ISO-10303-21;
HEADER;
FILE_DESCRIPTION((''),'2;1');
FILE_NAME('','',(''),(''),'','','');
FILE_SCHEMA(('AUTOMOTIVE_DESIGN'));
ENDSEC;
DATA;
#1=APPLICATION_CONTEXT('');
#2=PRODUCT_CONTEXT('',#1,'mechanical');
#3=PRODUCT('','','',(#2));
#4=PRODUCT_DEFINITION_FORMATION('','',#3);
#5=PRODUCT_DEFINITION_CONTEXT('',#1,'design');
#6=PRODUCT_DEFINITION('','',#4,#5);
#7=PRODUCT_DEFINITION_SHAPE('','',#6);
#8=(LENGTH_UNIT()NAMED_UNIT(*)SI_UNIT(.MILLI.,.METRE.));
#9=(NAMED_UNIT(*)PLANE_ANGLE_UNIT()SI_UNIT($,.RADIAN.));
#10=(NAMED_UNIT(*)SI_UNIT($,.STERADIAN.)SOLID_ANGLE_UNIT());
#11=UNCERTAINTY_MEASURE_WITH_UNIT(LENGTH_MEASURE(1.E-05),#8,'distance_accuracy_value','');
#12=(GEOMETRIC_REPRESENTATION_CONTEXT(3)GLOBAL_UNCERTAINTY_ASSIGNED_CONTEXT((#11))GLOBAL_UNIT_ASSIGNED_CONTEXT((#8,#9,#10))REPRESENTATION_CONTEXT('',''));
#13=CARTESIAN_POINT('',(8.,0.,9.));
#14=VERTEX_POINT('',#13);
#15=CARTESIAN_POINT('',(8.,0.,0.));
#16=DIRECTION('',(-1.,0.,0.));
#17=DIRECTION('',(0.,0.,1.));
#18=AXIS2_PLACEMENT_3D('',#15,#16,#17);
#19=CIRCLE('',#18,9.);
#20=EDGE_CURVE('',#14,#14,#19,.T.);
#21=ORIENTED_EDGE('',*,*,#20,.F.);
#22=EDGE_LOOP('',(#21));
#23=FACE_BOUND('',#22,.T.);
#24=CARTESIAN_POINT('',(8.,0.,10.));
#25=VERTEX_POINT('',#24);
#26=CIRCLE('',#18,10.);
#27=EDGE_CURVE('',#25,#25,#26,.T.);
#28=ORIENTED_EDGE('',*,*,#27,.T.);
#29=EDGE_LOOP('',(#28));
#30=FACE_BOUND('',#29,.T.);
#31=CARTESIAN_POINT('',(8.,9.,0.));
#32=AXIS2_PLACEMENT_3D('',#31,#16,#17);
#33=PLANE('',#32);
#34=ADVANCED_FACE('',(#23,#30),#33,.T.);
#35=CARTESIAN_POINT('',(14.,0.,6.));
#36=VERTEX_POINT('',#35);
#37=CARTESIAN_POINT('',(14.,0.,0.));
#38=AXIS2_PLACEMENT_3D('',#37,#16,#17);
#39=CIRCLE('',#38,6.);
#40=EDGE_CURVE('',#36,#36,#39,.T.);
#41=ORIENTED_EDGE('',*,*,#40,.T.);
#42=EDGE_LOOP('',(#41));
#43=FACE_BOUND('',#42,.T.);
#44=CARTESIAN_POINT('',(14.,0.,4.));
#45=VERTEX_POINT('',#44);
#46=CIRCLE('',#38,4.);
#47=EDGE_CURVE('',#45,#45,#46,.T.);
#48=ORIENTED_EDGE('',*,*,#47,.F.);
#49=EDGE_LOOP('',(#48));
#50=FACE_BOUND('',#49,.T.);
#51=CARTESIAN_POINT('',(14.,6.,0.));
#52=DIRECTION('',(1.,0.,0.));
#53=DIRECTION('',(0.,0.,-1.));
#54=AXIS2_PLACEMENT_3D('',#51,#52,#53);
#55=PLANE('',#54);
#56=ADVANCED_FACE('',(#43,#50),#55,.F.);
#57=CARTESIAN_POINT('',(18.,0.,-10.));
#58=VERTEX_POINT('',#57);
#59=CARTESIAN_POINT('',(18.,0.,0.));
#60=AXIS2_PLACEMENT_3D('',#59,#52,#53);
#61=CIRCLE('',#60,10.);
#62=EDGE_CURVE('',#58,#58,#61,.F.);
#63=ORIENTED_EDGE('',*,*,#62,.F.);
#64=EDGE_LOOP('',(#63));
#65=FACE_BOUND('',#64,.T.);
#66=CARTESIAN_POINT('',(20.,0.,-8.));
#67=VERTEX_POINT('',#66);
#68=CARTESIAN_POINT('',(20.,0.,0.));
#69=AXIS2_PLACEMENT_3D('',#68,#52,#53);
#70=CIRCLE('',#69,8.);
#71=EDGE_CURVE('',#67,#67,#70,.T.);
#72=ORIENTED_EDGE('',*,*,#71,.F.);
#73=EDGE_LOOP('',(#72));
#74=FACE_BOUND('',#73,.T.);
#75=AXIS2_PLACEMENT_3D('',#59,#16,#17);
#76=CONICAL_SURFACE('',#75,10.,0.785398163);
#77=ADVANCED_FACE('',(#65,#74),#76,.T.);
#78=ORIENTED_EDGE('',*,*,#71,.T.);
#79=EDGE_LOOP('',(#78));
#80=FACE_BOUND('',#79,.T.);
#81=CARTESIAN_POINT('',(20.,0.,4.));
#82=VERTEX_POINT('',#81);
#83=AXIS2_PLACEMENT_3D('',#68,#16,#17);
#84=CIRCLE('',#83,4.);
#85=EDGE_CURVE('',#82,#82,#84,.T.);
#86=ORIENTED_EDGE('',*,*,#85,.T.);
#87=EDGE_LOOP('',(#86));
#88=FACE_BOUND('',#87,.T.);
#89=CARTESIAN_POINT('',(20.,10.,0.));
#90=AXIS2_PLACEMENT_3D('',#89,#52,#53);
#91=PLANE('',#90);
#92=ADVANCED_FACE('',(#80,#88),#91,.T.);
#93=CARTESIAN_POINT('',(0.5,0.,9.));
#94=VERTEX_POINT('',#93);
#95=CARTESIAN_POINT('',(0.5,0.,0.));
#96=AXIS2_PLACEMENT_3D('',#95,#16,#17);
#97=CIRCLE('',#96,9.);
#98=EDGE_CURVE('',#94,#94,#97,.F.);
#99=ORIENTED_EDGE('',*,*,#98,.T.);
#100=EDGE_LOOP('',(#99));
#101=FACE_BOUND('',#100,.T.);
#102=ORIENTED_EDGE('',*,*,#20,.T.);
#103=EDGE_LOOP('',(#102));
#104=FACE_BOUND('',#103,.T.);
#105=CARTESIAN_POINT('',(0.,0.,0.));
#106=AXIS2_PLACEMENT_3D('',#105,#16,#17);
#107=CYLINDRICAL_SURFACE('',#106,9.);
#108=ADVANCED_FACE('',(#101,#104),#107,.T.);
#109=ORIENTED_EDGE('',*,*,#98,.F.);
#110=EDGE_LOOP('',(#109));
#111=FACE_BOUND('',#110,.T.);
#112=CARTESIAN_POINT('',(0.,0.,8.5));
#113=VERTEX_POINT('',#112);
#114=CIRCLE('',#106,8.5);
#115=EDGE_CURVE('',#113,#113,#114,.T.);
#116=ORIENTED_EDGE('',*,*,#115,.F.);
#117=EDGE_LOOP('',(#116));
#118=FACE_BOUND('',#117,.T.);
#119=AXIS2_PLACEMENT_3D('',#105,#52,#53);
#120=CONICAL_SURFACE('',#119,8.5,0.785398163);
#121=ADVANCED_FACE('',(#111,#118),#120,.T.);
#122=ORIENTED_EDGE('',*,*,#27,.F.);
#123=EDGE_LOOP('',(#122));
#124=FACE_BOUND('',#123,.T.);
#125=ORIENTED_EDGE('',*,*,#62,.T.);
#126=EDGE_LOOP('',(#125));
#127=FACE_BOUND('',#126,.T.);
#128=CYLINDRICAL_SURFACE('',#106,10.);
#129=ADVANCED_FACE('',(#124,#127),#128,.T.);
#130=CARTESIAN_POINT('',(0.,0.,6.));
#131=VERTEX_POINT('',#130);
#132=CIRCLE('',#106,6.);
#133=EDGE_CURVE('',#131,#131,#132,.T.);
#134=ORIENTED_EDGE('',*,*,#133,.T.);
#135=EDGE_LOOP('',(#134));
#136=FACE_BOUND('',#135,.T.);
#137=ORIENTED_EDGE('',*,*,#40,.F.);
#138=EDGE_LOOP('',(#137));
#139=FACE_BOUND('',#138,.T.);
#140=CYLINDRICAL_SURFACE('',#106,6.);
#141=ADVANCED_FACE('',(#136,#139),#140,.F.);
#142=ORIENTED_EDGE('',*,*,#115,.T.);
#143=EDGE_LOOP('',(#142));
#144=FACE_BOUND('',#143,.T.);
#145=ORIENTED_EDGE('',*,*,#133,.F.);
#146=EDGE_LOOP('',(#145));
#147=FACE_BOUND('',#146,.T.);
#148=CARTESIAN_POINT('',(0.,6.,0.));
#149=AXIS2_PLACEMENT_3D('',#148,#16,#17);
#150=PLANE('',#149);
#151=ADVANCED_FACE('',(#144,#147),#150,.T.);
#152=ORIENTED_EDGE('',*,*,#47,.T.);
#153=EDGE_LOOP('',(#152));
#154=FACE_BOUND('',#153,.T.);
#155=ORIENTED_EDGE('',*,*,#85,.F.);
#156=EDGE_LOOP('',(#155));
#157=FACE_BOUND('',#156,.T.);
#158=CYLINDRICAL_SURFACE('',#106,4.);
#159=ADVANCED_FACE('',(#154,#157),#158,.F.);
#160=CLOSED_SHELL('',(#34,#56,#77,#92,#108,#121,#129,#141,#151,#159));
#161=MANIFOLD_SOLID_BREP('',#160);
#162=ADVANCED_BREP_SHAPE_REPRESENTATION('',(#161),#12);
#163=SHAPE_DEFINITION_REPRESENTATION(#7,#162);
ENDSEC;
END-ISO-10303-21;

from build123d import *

# Parameters (mm, degrees)
CHANFREIN1_SIZE = 2
CHANFREIN2_SIZE = 0.5


with BuildPart() as part:
    # Esquisse1 → Base-Révolution (revolve)
    with BuildSketch(Plane.XY, mode=Mode.PRIVATE) as base_r_volution_sk:
        Polygon((0, 6), (0, 9), (8, 9), (8, 10), (20, 10), (20, 4), (14, 4), (14, 6), align=None)
    revolve(base_r_volution_sk.sketch.rotate(Axis((0, 0, 0), (1, 0, 0)), 90), axis=Axis((0, 0, 0), (1, 0, 0)))

    # Chanfrein1
    chanfrein1_edges = [part.edges().sort_by_distance(p)[0] for p in [
        (20, 0, -10),
    ]]
    chamfer(chanfrein1_edges, length=CHANFREIN1_SIZE)

    # Chanfrein2
    chanfrein2_edges = [part.edges().sort_by_distance(p)[0] for p in [
        (0, 0, -9),
    ]]
    chamfer(chanfrein2_edges, length=CHANFREIN2_SIZE)


solid = part.part
